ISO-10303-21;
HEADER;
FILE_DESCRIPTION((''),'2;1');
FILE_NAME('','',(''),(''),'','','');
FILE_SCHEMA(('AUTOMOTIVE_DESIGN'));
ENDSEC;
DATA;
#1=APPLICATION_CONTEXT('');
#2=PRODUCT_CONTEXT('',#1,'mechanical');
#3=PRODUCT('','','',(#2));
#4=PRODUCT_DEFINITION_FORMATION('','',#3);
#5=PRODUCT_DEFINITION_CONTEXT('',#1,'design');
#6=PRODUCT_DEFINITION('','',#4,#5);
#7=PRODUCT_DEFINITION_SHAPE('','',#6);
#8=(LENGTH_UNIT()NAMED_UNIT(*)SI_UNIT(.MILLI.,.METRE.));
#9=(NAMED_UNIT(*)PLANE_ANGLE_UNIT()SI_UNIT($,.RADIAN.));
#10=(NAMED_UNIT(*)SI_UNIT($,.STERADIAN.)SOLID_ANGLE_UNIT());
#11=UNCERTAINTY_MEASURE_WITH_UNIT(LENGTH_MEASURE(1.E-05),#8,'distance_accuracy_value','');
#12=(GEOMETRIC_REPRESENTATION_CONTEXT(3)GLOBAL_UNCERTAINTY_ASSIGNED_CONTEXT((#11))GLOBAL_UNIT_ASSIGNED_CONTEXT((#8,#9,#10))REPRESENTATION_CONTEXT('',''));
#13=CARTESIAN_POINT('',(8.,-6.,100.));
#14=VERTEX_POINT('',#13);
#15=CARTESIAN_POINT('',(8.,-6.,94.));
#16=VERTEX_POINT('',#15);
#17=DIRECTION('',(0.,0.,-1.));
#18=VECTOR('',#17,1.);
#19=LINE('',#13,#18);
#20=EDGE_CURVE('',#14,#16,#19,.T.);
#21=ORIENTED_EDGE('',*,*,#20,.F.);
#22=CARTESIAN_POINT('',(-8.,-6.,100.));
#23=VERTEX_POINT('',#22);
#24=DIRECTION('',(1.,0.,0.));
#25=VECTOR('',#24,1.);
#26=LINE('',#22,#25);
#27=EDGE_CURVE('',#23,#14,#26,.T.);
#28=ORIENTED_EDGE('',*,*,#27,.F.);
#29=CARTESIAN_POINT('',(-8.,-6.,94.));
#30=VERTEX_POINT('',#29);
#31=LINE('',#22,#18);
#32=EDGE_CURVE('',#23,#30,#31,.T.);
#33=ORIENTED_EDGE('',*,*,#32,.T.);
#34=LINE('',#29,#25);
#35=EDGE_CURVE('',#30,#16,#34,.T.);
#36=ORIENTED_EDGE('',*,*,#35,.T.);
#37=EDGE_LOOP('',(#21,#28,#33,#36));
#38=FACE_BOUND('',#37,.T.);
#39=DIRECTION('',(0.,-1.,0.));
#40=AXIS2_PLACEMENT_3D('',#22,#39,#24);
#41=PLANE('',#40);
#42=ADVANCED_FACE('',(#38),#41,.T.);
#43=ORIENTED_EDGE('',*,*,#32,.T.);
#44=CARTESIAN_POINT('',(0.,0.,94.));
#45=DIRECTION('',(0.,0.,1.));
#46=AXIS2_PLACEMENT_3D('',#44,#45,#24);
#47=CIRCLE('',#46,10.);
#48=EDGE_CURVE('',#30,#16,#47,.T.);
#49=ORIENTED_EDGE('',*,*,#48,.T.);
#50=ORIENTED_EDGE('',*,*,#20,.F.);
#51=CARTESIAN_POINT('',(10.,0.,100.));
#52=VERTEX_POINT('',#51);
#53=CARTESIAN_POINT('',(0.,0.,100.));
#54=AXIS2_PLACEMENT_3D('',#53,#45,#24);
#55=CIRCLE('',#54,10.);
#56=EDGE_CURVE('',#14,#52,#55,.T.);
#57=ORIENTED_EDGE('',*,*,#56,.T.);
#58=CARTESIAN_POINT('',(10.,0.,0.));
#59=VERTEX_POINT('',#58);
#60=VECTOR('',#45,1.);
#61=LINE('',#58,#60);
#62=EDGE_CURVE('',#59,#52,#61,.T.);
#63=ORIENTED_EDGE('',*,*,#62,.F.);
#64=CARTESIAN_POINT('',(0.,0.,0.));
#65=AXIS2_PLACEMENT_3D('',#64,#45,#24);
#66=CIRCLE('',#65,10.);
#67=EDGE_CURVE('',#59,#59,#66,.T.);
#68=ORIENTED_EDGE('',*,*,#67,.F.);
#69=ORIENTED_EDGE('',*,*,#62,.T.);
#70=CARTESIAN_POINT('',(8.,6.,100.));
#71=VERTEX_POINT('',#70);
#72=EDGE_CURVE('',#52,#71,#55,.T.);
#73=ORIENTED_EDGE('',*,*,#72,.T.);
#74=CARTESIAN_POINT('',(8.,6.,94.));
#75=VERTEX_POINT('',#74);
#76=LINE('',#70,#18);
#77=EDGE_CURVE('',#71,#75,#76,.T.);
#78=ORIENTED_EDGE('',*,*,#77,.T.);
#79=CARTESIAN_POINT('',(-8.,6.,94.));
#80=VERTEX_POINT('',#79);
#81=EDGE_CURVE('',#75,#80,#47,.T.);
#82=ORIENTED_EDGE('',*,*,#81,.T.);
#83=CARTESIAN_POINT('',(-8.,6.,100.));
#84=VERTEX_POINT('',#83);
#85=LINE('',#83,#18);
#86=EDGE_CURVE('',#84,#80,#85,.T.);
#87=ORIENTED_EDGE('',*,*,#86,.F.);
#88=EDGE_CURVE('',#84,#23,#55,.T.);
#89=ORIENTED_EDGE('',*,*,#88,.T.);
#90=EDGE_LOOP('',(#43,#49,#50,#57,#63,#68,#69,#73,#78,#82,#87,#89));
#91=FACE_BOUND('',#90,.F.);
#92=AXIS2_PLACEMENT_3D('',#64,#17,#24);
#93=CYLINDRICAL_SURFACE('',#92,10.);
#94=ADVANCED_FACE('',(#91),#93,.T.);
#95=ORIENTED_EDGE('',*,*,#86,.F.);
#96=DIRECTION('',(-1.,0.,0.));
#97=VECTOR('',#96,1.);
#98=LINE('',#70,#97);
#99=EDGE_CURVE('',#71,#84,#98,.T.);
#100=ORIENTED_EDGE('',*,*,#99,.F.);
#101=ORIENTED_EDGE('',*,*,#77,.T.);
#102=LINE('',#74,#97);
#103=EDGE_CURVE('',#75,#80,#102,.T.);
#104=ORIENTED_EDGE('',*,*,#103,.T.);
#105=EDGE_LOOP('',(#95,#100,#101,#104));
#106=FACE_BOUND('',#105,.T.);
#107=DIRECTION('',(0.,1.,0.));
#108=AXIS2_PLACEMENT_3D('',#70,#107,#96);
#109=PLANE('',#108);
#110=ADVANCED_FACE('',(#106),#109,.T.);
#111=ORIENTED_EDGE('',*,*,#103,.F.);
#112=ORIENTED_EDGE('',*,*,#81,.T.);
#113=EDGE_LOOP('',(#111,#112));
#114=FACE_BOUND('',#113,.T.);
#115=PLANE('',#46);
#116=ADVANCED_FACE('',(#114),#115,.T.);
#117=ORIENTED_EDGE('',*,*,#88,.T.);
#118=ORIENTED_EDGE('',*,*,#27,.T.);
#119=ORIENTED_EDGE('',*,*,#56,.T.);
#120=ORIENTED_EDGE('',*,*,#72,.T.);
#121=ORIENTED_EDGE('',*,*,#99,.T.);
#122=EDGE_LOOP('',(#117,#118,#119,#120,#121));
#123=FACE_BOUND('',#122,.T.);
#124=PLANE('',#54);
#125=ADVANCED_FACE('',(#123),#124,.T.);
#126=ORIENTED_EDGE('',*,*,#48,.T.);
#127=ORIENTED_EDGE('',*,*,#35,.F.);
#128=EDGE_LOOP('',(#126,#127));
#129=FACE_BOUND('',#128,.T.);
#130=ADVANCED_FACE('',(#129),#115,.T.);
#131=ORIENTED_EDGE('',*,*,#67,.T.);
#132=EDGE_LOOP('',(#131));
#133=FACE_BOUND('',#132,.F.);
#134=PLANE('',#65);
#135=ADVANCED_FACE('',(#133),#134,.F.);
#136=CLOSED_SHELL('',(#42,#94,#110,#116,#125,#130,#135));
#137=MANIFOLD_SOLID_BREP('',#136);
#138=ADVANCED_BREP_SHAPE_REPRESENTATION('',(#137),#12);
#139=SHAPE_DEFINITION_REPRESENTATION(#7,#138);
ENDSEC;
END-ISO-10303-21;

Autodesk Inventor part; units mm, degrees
ref_plane "YZ Plane" through (0, 0, 0) normal (1, 0, 0) x (0, 1, 0)
ref_plane "XZ Plane" through (0, 0, 0) normal (0, 1, 0) x (-1, 0, 0)
ref_plane "XY Plane" through (0, 0, 0) normal (0, 0, 1) x (1, 0, 0)
sketch "Эскиз1" plane through (0, 0, 0) normal (0, 0, 1) x (1, 0, 0)
  circle A0 centre (0, 0) radius 10
  dimension "d0" = 20
extrude "Выдавливание1" add sketch "Эскиз1" along normal blind 100
sketch "Эскиз2" plane through (0, 0, 100) normal (0, 0, 1) x (1, 0, 0)
  circle A0 centre (0, 0) radius 10 projected
  line L0 (8, 6) -> (-8, 6)
  line L1 (-8, -6) -> (8, -6)
  dimension "d3" = 12
extrude "Выдавливание2" cut sketch "Эскиз2" against normal blind 6 contours L0 A0 | A0 L1
equation "\"d0\" = d_main_shaft"
equation "\"d3\" = width_flattened_surface"
equation "\"d4\" = 2 * thickness_steel"
equation "\"d_main_shaft\" = 20"
equation "\"tolerance_plazma\" = 0.1"
equation "\"thickness_steel\" = 3"
equation "\"d_main_screw_holes\" = 6.1"
equation "\"thickness_profile_tibea\" = 3"
equation "\"thickness_profile_femur\" = 3"
equation "\"width_flattened_surface\" = 12"
equation "\"width_shaft_shift\" = 35"
equation "\"hight_shaft_shift\" = 37"
properties part number "shaft_tibea" material "Сталь"
